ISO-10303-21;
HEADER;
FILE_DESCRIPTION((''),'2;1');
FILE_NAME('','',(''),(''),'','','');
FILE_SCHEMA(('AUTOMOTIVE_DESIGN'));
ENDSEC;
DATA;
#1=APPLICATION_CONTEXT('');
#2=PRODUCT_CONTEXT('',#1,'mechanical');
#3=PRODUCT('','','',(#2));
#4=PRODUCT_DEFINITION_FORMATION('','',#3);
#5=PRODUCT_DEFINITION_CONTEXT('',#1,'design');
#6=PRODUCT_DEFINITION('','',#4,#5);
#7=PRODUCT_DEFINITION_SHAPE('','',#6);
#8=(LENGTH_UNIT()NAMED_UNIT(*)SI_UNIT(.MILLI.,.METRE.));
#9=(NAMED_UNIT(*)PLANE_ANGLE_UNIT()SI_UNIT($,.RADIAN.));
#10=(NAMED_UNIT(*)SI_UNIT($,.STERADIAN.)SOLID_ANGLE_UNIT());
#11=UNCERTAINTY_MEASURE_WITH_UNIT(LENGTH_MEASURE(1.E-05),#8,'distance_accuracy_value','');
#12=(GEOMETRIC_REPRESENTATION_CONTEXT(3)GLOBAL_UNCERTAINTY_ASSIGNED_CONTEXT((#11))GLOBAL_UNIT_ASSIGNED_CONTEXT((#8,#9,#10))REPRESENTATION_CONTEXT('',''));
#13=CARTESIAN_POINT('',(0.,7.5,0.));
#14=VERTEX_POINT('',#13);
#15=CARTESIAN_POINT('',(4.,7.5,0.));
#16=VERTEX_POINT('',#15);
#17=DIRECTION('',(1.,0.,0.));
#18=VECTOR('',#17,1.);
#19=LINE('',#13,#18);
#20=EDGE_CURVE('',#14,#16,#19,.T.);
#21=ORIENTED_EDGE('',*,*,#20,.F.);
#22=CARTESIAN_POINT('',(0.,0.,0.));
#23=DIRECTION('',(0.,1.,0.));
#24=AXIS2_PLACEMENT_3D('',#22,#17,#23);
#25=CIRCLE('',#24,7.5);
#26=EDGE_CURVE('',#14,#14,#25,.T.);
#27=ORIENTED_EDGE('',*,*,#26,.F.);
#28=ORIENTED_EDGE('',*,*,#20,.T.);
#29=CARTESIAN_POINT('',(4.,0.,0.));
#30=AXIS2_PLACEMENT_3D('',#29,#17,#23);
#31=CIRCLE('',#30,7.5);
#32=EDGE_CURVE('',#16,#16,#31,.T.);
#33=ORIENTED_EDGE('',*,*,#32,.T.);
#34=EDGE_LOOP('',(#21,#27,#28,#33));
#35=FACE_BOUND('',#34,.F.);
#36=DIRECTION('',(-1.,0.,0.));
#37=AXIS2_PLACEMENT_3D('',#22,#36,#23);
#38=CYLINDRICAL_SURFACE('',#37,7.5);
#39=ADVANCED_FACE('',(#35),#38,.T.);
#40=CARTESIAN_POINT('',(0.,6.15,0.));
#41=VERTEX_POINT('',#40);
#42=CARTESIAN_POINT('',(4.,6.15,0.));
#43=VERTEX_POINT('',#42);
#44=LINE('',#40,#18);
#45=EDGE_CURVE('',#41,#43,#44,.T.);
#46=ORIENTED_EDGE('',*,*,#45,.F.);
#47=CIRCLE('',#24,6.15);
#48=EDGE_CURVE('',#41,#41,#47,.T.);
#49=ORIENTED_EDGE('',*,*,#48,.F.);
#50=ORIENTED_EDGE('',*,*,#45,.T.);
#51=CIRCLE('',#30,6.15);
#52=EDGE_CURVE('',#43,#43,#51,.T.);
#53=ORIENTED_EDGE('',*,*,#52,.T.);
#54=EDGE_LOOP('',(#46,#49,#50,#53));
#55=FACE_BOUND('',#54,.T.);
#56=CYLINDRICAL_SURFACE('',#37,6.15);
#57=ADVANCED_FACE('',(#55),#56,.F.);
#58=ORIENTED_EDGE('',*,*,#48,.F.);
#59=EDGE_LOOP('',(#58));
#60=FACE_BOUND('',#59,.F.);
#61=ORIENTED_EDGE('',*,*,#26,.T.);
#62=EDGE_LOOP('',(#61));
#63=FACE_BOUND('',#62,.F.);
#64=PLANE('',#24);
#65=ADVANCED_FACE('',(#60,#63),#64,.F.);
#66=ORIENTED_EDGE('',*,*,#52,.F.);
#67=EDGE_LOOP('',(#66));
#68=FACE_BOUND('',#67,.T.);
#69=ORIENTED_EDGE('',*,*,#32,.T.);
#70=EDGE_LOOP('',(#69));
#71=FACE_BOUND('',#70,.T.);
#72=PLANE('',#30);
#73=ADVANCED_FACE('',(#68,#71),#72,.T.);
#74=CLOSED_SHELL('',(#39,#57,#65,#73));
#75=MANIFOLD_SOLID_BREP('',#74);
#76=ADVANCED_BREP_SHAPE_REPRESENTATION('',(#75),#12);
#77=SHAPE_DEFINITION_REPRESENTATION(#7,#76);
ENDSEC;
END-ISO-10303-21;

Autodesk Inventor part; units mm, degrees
ref_plane "YZ Plane" through (0, 0, 0) normal (1, 0, 0) x (0, 1, 0)
ref_plane "XZ Plane" through (0, 0, 0) normal (0, 1, 0) x (-1, 0, 0)
ref_plane "XY Plane" through (0, 0, 0) normal (0, 0, 1) x (1, 0, 0)
sketch "スケッチ1" plane through (0, 0, 0) normal (1, 0, 0) x (0, 1, 0)
  circle A0 centre (0, 0) radius 6.15
  circle A1 centre (0, 0) radius 7.5
  dimension "d0" = 12.3
  dimension "d1" = 15
extrude "押し出し1" add sketch "スケッチ1" along normal blind 4
properties part number "RZvector-v1-3DP-P-Spacer-3" material "ABS プラスチック"
